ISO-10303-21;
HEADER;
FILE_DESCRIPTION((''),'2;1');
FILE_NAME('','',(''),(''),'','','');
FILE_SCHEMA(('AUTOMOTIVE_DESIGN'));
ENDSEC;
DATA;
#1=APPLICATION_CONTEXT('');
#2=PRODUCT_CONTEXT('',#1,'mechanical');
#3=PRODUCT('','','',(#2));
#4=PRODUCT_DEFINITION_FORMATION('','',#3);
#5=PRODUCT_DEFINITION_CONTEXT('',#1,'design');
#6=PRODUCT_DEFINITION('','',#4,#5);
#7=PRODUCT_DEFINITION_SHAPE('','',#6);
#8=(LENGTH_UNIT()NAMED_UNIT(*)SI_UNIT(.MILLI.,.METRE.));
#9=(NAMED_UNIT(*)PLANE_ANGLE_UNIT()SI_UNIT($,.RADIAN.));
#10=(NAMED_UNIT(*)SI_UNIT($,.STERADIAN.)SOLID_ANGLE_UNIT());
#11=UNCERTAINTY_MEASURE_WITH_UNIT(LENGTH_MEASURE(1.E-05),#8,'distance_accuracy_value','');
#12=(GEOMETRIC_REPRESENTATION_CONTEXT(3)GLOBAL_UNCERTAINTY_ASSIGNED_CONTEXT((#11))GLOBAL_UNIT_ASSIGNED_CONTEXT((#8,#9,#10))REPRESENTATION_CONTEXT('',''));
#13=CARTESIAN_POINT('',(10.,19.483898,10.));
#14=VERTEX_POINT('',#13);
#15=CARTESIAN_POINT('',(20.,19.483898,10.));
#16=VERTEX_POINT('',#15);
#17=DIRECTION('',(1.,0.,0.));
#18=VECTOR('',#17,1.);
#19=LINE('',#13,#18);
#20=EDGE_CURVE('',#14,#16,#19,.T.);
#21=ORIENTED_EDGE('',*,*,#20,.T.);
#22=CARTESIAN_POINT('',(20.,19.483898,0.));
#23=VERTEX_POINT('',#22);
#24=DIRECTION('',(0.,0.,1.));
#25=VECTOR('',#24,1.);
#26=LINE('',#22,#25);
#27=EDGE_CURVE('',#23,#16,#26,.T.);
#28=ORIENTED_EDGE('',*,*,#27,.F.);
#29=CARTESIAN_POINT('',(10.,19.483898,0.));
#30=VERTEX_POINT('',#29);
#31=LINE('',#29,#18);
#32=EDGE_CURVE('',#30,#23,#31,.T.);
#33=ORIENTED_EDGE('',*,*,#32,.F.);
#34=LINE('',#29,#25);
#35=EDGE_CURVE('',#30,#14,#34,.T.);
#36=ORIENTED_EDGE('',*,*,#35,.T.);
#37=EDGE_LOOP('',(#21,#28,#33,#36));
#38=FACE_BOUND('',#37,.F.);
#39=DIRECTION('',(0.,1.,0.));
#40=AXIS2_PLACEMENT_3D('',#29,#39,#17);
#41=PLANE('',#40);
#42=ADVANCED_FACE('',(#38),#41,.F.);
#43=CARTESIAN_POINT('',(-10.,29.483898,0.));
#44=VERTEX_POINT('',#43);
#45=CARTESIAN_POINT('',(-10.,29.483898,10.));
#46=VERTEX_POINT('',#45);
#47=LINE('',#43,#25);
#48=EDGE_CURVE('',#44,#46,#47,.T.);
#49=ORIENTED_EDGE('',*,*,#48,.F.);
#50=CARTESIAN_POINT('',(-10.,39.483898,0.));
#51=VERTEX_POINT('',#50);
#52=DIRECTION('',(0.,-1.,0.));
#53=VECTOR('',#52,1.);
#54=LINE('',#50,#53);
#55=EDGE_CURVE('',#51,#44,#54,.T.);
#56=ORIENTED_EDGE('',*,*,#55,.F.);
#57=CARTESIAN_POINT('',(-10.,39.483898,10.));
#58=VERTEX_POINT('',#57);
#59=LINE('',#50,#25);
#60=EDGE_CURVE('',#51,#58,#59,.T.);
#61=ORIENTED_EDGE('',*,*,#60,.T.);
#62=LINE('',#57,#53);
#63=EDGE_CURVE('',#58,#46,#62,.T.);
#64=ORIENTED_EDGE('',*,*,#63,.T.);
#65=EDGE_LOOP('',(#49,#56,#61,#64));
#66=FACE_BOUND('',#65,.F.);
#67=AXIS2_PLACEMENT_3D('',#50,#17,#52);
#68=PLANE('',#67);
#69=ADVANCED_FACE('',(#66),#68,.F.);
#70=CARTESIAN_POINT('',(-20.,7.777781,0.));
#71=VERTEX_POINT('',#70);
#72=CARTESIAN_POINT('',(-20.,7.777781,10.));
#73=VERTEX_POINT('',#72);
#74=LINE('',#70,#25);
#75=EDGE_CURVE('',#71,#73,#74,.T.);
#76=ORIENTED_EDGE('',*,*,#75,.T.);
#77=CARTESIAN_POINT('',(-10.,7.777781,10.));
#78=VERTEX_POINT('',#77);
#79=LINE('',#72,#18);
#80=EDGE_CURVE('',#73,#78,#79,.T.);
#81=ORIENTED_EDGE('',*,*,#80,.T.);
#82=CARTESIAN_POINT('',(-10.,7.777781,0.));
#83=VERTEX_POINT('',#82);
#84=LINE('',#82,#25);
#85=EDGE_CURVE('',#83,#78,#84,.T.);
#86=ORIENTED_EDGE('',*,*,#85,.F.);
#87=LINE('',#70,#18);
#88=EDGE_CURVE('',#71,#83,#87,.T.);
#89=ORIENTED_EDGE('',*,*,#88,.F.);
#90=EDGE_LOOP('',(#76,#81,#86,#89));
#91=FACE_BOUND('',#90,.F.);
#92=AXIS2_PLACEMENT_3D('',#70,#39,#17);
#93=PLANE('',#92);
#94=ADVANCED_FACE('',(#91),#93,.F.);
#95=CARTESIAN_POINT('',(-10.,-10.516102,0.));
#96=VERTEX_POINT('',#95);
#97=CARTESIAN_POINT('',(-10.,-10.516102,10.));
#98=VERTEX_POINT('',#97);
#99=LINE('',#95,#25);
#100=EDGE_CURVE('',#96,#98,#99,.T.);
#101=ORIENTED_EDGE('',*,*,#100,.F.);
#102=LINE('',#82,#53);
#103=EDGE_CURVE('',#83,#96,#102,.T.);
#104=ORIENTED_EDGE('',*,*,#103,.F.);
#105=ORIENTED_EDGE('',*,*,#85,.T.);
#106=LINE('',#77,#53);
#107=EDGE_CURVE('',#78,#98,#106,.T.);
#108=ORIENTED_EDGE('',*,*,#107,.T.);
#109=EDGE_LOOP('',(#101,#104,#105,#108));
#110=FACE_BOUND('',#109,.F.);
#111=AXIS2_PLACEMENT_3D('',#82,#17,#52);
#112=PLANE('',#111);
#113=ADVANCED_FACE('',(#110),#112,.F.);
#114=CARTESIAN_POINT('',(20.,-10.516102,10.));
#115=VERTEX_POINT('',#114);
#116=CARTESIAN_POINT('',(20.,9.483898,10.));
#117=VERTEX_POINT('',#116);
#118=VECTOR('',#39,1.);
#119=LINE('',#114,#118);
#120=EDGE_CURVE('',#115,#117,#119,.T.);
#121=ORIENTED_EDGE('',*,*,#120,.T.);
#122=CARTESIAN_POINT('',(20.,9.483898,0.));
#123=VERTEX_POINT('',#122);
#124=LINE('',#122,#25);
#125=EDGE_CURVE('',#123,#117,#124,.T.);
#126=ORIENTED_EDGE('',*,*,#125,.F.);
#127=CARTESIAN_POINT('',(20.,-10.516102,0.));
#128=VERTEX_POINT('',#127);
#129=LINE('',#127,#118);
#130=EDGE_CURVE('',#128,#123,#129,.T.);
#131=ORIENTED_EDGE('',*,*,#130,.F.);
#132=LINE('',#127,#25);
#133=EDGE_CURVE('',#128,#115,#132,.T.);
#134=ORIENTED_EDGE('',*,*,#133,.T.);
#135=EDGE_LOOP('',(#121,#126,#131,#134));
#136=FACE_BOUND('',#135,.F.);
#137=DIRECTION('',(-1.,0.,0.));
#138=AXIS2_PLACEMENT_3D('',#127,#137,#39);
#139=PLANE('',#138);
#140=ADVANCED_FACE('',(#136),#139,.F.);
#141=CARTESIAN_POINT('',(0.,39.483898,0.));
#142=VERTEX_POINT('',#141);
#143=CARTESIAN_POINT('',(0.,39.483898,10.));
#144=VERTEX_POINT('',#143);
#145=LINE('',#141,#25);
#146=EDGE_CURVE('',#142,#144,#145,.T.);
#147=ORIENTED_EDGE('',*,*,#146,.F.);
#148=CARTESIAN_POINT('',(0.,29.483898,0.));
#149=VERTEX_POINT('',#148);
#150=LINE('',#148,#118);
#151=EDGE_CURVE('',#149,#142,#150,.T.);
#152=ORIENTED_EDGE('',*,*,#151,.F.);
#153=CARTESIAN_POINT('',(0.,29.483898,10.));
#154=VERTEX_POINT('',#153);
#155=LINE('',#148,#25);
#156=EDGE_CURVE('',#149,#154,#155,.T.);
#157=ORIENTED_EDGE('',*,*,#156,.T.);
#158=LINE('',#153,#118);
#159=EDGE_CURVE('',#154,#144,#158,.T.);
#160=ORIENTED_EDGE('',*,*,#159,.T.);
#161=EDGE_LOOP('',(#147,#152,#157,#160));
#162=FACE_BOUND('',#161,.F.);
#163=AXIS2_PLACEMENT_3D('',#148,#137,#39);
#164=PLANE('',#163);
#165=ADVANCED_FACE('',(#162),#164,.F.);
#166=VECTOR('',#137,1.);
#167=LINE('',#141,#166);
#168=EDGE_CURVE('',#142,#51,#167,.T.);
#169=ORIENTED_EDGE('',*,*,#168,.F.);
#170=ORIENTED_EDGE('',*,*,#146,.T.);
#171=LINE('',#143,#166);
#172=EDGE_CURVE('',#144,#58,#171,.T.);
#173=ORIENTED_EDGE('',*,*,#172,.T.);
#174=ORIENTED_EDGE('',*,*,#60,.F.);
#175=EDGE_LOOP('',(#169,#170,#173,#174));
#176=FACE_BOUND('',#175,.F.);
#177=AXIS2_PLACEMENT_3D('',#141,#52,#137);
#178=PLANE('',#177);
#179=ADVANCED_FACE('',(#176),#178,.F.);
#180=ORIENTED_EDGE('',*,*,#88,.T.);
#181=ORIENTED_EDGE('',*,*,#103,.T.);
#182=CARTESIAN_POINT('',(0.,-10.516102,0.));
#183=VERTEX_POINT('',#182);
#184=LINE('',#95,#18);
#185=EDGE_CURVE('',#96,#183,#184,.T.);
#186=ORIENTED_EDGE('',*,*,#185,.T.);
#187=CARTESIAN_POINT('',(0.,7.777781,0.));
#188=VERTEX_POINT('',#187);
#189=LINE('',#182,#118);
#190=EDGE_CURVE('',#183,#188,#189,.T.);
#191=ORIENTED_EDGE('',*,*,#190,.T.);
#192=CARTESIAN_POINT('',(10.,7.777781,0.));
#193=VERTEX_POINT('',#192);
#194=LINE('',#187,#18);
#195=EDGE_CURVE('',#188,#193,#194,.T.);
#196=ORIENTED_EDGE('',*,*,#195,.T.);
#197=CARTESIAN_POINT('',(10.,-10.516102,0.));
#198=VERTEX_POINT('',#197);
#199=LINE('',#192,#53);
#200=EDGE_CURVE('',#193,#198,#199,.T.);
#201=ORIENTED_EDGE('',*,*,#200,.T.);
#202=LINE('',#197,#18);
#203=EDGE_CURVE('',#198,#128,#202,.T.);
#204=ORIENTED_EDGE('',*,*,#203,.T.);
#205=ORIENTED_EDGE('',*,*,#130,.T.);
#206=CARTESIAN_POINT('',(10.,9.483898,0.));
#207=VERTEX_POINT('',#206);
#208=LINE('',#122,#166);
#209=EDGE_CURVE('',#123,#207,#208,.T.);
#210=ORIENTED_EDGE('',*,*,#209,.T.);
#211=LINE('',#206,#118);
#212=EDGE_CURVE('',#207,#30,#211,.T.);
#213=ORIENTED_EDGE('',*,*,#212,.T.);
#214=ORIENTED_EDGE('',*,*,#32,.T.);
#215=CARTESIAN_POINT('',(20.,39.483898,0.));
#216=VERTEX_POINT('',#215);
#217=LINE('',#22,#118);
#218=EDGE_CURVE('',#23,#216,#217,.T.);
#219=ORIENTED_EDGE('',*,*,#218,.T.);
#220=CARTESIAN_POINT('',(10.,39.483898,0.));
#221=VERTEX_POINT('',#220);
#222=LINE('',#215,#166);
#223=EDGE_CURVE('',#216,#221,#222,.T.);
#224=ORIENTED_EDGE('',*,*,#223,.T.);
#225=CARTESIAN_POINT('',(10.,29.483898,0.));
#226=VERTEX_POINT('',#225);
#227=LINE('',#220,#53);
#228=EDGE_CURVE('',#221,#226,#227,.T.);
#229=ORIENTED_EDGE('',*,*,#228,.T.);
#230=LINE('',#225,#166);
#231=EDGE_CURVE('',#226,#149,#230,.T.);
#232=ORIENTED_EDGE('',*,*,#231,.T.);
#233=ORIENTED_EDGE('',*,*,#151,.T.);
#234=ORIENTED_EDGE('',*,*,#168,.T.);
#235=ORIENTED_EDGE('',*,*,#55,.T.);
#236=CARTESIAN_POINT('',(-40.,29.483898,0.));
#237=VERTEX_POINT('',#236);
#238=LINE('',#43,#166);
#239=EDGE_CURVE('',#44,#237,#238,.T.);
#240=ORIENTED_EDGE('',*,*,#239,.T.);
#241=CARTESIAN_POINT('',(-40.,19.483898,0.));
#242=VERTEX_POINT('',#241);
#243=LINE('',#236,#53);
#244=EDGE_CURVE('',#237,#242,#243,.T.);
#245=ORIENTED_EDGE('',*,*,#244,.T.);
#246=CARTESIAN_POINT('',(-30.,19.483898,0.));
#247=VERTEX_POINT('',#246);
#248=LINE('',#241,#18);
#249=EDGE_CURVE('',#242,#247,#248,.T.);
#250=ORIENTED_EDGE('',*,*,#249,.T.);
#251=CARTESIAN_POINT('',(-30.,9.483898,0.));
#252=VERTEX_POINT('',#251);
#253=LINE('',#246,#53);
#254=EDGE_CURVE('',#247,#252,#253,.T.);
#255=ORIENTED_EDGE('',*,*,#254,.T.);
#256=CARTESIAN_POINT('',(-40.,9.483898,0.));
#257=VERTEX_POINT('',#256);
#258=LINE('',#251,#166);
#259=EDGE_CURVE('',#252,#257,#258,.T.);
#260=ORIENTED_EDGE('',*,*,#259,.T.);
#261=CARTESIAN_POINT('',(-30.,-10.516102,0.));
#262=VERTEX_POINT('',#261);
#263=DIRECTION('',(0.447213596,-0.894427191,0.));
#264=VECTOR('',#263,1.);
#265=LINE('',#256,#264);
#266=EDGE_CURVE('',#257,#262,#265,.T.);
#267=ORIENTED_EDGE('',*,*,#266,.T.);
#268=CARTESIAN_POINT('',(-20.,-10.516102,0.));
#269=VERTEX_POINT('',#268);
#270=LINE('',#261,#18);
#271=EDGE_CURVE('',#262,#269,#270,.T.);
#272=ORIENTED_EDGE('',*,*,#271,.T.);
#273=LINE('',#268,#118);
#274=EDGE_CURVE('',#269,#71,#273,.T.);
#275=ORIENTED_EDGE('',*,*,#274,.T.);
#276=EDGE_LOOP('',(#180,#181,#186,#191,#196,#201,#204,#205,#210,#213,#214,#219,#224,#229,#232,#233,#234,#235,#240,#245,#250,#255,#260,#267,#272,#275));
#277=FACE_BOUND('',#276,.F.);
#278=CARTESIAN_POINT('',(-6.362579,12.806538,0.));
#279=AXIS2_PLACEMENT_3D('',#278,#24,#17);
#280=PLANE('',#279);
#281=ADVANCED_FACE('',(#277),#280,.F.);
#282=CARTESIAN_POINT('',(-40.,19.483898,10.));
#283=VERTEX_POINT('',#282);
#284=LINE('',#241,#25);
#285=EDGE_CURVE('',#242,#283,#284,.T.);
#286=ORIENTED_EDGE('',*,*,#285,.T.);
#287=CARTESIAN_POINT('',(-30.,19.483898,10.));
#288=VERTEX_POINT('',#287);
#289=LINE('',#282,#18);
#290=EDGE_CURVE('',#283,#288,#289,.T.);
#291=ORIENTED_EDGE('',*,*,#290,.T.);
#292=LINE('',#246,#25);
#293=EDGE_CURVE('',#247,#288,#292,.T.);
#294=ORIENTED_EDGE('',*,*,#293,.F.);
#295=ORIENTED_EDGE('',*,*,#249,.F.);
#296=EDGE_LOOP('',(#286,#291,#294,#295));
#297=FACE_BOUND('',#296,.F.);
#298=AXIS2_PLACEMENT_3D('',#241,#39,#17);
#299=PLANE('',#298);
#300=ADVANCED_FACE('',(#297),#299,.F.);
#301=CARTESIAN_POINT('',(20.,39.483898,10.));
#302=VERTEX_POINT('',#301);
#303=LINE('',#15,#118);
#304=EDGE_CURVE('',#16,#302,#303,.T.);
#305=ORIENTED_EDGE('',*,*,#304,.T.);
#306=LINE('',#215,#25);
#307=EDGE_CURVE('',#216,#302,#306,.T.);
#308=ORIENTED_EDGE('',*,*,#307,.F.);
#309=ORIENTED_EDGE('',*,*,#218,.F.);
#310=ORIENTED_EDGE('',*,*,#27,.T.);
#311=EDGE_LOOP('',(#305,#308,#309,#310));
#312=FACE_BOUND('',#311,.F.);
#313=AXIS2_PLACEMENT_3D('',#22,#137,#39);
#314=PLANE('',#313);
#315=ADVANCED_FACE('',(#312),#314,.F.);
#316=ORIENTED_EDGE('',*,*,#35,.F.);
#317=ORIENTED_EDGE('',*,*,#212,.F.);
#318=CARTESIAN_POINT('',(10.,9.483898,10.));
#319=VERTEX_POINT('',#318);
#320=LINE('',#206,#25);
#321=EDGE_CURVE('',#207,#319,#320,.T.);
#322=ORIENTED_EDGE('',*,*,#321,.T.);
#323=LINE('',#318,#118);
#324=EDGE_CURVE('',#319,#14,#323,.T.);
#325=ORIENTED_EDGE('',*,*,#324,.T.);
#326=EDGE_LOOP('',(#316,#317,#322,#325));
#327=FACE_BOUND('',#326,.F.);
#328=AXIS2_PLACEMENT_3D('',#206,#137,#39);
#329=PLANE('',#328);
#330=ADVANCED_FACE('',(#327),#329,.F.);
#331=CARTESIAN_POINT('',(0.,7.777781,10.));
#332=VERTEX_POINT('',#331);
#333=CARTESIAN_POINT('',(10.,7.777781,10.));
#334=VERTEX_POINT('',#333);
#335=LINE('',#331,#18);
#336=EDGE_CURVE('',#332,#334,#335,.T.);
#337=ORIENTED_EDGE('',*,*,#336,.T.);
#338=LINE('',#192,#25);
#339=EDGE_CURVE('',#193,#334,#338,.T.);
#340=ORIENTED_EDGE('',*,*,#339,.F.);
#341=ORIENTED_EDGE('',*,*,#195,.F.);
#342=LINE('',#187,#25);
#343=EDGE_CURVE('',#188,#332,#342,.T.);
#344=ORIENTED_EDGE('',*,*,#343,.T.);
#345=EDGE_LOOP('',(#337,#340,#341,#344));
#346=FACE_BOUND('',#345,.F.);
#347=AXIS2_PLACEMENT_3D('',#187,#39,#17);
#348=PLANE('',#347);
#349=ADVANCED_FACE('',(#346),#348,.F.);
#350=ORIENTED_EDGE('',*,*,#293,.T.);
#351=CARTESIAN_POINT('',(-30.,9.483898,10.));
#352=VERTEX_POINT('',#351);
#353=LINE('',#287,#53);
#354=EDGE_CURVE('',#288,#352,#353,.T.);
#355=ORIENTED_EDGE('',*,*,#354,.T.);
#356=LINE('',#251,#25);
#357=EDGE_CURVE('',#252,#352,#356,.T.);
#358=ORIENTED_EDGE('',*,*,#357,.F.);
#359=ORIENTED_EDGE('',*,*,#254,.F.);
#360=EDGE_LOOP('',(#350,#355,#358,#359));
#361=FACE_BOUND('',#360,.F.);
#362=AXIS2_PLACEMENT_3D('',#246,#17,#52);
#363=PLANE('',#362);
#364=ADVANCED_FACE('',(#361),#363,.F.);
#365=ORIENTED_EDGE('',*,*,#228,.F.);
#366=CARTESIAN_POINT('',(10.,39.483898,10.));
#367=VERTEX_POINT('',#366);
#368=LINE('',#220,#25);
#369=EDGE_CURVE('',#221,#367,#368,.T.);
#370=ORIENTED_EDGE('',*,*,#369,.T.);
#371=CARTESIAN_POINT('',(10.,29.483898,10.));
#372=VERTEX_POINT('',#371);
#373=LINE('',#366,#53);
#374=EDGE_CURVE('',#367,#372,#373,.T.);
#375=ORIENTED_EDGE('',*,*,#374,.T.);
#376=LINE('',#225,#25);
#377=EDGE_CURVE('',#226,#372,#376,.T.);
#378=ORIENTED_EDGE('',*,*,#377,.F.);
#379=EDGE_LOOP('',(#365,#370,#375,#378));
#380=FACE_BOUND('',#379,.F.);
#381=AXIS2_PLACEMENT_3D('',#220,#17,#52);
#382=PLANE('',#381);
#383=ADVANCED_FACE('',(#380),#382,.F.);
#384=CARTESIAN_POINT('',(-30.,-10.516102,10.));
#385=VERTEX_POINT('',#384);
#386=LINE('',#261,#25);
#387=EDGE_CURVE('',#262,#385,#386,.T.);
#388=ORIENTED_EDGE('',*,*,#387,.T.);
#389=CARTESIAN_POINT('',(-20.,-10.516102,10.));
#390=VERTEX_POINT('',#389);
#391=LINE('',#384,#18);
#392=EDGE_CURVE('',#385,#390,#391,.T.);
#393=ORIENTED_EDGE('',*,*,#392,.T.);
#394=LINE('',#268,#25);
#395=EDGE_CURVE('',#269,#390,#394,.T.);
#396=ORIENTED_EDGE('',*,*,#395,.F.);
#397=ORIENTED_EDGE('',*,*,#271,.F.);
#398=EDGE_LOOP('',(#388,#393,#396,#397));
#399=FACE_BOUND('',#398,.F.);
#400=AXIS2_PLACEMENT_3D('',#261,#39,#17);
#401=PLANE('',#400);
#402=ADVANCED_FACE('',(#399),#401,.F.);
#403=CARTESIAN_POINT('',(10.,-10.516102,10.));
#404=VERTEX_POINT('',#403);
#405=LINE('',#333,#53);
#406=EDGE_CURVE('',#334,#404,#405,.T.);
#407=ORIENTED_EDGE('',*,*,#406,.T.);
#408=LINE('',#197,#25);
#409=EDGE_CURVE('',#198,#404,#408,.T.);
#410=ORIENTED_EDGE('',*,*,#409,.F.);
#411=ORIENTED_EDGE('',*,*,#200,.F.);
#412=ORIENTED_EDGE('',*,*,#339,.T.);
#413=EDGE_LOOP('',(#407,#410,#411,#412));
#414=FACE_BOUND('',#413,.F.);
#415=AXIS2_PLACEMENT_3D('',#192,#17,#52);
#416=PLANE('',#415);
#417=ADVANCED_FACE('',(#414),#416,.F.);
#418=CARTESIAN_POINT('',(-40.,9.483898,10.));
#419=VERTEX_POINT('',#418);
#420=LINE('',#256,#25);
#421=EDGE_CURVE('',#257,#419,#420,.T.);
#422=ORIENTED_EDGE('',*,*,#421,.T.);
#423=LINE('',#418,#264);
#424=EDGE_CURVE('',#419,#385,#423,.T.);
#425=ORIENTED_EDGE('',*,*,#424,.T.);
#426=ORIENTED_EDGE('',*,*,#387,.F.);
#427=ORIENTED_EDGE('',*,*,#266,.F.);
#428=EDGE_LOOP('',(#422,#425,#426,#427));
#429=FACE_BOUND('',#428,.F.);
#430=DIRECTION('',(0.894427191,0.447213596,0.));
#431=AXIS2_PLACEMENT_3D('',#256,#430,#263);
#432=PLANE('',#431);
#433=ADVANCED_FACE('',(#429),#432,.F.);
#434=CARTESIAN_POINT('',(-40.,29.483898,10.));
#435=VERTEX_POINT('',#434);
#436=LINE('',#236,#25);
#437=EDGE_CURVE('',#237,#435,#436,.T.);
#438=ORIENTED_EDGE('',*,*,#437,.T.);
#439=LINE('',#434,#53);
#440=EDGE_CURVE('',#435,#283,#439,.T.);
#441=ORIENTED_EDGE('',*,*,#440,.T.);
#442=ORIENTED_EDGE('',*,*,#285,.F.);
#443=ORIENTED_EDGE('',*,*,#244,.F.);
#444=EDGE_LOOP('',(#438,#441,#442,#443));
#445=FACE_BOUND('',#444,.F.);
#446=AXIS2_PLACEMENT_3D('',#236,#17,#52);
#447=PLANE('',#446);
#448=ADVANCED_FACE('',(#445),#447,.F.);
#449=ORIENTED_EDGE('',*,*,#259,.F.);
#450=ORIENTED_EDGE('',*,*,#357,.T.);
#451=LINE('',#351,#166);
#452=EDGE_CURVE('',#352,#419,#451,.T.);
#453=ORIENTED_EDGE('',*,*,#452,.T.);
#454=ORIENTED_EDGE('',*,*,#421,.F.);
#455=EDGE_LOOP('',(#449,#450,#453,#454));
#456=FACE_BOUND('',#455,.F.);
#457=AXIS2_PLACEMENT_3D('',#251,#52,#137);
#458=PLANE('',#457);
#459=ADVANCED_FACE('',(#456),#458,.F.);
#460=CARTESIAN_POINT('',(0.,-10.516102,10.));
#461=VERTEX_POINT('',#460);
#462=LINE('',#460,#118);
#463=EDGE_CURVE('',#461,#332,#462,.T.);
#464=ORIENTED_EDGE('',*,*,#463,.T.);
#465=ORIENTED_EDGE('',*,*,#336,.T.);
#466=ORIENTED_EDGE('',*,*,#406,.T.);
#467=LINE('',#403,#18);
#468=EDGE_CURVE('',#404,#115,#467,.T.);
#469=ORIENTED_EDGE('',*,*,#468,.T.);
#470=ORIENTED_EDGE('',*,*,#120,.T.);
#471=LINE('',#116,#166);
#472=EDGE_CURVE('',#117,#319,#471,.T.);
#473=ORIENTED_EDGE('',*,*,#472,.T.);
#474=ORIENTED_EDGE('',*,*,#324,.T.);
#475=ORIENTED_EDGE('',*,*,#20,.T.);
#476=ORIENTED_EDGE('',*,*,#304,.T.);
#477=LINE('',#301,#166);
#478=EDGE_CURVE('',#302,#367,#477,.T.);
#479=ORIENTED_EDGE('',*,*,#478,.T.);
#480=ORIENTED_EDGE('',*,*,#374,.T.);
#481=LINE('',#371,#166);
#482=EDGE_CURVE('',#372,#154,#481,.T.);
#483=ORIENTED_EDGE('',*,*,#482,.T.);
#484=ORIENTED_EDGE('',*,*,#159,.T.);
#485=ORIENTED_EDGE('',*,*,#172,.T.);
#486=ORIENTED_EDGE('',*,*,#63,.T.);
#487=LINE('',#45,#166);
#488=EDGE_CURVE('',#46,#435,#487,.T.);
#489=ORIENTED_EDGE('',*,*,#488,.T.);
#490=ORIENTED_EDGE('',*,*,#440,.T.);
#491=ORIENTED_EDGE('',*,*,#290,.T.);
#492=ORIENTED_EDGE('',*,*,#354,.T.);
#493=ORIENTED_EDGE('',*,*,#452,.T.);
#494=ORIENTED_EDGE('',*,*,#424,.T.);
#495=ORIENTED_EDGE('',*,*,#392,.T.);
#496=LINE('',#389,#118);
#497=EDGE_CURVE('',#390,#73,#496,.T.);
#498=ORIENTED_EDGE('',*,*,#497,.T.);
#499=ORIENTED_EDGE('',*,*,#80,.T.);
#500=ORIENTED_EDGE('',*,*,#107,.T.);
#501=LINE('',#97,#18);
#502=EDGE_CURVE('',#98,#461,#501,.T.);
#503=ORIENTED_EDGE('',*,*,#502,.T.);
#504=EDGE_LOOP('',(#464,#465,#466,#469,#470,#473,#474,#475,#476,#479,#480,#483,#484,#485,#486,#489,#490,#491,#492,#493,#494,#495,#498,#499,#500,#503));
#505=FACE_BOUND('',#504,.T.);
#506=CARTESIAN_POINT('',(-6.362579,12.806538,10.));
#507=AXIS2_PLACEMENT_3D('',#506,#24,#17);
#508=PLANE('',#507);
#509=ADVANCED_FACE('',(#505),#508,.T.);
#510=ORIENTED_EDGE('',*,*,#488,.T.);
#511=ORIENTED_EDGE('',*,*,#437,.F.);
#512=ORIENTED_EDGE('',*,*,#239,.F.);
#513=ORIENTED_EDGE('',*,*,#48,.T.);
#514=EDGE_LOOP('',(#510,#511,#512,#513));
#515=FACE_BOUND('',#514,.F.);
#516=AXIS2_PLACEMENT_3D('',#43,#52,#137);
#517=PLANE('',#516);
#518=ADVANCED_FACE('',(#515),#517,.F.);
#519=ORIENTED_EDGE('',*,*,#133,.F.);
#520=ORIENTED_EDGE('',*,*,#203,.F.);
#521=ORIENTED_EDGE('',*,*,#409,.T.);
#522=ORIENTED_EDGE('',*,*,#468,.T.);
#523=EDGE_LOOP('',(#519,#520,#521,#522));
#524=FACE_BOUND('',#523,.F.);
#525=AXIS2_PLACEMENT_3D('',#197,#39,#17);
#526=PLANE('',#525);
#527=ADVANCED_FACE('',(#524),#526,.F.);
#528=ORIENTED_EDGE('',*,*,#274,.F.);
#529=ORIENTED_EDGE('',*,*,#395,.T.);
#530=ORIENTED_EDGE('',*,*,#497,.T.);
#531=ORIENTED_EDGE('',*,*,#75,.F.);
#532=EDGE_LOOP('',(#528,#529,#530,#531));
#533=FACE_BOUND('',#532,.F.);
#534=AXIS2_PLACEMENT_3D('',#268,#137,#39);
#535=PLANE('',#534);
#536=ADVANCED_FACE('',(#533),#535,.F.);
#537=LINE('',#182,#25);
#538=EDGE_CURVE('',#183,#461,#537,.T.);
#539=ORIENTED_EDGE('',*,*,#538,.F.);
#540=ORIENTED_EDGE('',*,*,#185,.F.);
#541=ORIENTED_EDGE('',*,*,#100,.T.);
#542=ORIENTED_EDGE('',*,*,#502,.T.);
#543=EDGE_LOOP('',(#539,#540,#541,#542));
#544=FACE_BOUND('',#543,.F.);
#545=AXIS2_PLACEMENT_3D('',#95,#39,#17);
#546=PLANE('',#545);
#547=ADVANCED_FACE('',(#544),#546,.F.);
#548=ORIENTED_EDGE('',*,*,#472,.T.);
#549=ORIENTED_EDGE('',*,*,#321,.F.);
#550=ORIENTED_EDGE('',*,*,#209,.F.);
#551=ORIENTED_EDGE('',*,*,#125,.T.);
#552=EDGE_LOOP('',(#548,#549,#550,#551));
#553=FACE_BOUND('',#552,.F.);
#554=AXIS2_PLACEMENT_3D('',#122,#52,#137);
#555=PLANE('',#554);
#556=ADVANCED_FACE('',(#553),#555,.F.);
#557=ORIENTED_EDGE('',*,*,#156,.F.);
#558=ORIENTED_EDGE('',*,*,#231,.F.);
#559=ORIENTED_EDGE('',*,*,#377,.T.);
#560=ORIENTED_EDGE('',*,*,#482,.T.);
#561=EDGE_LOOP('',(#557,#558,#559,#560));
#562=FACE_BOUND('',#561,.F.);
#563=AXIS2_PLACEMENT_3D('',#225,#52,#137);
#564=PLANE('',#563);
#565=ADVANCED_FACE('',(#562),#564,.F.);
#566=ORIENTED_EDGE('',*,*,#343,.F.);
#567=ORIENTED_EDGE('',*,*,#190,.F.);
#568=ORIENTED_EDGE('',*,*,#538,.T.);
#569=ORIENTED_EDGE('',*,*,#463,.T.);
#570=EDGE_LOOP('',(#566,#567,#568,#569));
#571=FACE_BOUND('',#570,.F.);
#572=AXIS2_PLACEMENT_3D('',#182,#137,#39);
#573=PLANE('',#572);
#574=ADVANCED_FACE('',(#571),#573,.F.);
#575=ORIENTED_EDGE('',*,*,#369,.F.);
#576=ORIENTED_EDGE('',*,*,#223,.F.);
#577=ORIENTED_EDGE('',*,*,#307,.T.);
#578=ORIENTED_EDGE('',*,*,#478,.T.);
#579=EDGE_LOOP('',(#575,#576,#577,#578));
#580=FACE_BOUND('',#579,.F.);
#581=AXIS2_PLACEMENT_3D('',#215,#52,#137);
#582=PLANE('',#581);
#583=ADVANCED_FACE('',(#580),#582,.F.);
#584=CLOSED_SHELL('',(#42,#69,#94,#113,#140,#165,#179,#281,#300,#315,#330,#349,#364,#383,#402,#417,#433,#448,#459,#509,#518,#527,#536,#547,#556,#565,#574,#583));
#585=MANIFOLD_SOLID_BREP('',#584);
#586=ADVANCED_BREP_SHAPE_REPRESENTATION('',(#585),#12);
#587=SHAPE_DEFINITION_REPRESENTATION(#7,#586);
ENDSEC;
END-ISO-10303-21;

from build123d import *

# Parameters (mm, degrees)
F1_DEPTH = 10


with BuildPart() as f1:
    # F0 (on Top) → F1 (new body)
    with BuildSketch(Plane.XY):
        Polygon((-10, 29.483898), (-29.91453, 29.483898), (-40, 29.483898), (-40, 19.483898), (-30, 19.483898), (-30, 9.483898), (-40, 9.483898), (-30, -10.516102), (-20, -10.516102), (-20, 7.777781), (-10, 7.777781), (-10, -10.516102), (0, -10.516102), (0, 7.777781), (10, 7.777781), (10, -10.516102), (20, -10.516102), (20, 9.483898), (10, 9.483898), (10, 19.483898), (20, 19.483898), (20, 39.483898), (10, 39.483898), (10, 29.483898), (0, 29.483898), (0, 39.483898), (-10, 39.483898), align=None)
    extrude(amount=F1_DEPTH)


solid = f1.part
